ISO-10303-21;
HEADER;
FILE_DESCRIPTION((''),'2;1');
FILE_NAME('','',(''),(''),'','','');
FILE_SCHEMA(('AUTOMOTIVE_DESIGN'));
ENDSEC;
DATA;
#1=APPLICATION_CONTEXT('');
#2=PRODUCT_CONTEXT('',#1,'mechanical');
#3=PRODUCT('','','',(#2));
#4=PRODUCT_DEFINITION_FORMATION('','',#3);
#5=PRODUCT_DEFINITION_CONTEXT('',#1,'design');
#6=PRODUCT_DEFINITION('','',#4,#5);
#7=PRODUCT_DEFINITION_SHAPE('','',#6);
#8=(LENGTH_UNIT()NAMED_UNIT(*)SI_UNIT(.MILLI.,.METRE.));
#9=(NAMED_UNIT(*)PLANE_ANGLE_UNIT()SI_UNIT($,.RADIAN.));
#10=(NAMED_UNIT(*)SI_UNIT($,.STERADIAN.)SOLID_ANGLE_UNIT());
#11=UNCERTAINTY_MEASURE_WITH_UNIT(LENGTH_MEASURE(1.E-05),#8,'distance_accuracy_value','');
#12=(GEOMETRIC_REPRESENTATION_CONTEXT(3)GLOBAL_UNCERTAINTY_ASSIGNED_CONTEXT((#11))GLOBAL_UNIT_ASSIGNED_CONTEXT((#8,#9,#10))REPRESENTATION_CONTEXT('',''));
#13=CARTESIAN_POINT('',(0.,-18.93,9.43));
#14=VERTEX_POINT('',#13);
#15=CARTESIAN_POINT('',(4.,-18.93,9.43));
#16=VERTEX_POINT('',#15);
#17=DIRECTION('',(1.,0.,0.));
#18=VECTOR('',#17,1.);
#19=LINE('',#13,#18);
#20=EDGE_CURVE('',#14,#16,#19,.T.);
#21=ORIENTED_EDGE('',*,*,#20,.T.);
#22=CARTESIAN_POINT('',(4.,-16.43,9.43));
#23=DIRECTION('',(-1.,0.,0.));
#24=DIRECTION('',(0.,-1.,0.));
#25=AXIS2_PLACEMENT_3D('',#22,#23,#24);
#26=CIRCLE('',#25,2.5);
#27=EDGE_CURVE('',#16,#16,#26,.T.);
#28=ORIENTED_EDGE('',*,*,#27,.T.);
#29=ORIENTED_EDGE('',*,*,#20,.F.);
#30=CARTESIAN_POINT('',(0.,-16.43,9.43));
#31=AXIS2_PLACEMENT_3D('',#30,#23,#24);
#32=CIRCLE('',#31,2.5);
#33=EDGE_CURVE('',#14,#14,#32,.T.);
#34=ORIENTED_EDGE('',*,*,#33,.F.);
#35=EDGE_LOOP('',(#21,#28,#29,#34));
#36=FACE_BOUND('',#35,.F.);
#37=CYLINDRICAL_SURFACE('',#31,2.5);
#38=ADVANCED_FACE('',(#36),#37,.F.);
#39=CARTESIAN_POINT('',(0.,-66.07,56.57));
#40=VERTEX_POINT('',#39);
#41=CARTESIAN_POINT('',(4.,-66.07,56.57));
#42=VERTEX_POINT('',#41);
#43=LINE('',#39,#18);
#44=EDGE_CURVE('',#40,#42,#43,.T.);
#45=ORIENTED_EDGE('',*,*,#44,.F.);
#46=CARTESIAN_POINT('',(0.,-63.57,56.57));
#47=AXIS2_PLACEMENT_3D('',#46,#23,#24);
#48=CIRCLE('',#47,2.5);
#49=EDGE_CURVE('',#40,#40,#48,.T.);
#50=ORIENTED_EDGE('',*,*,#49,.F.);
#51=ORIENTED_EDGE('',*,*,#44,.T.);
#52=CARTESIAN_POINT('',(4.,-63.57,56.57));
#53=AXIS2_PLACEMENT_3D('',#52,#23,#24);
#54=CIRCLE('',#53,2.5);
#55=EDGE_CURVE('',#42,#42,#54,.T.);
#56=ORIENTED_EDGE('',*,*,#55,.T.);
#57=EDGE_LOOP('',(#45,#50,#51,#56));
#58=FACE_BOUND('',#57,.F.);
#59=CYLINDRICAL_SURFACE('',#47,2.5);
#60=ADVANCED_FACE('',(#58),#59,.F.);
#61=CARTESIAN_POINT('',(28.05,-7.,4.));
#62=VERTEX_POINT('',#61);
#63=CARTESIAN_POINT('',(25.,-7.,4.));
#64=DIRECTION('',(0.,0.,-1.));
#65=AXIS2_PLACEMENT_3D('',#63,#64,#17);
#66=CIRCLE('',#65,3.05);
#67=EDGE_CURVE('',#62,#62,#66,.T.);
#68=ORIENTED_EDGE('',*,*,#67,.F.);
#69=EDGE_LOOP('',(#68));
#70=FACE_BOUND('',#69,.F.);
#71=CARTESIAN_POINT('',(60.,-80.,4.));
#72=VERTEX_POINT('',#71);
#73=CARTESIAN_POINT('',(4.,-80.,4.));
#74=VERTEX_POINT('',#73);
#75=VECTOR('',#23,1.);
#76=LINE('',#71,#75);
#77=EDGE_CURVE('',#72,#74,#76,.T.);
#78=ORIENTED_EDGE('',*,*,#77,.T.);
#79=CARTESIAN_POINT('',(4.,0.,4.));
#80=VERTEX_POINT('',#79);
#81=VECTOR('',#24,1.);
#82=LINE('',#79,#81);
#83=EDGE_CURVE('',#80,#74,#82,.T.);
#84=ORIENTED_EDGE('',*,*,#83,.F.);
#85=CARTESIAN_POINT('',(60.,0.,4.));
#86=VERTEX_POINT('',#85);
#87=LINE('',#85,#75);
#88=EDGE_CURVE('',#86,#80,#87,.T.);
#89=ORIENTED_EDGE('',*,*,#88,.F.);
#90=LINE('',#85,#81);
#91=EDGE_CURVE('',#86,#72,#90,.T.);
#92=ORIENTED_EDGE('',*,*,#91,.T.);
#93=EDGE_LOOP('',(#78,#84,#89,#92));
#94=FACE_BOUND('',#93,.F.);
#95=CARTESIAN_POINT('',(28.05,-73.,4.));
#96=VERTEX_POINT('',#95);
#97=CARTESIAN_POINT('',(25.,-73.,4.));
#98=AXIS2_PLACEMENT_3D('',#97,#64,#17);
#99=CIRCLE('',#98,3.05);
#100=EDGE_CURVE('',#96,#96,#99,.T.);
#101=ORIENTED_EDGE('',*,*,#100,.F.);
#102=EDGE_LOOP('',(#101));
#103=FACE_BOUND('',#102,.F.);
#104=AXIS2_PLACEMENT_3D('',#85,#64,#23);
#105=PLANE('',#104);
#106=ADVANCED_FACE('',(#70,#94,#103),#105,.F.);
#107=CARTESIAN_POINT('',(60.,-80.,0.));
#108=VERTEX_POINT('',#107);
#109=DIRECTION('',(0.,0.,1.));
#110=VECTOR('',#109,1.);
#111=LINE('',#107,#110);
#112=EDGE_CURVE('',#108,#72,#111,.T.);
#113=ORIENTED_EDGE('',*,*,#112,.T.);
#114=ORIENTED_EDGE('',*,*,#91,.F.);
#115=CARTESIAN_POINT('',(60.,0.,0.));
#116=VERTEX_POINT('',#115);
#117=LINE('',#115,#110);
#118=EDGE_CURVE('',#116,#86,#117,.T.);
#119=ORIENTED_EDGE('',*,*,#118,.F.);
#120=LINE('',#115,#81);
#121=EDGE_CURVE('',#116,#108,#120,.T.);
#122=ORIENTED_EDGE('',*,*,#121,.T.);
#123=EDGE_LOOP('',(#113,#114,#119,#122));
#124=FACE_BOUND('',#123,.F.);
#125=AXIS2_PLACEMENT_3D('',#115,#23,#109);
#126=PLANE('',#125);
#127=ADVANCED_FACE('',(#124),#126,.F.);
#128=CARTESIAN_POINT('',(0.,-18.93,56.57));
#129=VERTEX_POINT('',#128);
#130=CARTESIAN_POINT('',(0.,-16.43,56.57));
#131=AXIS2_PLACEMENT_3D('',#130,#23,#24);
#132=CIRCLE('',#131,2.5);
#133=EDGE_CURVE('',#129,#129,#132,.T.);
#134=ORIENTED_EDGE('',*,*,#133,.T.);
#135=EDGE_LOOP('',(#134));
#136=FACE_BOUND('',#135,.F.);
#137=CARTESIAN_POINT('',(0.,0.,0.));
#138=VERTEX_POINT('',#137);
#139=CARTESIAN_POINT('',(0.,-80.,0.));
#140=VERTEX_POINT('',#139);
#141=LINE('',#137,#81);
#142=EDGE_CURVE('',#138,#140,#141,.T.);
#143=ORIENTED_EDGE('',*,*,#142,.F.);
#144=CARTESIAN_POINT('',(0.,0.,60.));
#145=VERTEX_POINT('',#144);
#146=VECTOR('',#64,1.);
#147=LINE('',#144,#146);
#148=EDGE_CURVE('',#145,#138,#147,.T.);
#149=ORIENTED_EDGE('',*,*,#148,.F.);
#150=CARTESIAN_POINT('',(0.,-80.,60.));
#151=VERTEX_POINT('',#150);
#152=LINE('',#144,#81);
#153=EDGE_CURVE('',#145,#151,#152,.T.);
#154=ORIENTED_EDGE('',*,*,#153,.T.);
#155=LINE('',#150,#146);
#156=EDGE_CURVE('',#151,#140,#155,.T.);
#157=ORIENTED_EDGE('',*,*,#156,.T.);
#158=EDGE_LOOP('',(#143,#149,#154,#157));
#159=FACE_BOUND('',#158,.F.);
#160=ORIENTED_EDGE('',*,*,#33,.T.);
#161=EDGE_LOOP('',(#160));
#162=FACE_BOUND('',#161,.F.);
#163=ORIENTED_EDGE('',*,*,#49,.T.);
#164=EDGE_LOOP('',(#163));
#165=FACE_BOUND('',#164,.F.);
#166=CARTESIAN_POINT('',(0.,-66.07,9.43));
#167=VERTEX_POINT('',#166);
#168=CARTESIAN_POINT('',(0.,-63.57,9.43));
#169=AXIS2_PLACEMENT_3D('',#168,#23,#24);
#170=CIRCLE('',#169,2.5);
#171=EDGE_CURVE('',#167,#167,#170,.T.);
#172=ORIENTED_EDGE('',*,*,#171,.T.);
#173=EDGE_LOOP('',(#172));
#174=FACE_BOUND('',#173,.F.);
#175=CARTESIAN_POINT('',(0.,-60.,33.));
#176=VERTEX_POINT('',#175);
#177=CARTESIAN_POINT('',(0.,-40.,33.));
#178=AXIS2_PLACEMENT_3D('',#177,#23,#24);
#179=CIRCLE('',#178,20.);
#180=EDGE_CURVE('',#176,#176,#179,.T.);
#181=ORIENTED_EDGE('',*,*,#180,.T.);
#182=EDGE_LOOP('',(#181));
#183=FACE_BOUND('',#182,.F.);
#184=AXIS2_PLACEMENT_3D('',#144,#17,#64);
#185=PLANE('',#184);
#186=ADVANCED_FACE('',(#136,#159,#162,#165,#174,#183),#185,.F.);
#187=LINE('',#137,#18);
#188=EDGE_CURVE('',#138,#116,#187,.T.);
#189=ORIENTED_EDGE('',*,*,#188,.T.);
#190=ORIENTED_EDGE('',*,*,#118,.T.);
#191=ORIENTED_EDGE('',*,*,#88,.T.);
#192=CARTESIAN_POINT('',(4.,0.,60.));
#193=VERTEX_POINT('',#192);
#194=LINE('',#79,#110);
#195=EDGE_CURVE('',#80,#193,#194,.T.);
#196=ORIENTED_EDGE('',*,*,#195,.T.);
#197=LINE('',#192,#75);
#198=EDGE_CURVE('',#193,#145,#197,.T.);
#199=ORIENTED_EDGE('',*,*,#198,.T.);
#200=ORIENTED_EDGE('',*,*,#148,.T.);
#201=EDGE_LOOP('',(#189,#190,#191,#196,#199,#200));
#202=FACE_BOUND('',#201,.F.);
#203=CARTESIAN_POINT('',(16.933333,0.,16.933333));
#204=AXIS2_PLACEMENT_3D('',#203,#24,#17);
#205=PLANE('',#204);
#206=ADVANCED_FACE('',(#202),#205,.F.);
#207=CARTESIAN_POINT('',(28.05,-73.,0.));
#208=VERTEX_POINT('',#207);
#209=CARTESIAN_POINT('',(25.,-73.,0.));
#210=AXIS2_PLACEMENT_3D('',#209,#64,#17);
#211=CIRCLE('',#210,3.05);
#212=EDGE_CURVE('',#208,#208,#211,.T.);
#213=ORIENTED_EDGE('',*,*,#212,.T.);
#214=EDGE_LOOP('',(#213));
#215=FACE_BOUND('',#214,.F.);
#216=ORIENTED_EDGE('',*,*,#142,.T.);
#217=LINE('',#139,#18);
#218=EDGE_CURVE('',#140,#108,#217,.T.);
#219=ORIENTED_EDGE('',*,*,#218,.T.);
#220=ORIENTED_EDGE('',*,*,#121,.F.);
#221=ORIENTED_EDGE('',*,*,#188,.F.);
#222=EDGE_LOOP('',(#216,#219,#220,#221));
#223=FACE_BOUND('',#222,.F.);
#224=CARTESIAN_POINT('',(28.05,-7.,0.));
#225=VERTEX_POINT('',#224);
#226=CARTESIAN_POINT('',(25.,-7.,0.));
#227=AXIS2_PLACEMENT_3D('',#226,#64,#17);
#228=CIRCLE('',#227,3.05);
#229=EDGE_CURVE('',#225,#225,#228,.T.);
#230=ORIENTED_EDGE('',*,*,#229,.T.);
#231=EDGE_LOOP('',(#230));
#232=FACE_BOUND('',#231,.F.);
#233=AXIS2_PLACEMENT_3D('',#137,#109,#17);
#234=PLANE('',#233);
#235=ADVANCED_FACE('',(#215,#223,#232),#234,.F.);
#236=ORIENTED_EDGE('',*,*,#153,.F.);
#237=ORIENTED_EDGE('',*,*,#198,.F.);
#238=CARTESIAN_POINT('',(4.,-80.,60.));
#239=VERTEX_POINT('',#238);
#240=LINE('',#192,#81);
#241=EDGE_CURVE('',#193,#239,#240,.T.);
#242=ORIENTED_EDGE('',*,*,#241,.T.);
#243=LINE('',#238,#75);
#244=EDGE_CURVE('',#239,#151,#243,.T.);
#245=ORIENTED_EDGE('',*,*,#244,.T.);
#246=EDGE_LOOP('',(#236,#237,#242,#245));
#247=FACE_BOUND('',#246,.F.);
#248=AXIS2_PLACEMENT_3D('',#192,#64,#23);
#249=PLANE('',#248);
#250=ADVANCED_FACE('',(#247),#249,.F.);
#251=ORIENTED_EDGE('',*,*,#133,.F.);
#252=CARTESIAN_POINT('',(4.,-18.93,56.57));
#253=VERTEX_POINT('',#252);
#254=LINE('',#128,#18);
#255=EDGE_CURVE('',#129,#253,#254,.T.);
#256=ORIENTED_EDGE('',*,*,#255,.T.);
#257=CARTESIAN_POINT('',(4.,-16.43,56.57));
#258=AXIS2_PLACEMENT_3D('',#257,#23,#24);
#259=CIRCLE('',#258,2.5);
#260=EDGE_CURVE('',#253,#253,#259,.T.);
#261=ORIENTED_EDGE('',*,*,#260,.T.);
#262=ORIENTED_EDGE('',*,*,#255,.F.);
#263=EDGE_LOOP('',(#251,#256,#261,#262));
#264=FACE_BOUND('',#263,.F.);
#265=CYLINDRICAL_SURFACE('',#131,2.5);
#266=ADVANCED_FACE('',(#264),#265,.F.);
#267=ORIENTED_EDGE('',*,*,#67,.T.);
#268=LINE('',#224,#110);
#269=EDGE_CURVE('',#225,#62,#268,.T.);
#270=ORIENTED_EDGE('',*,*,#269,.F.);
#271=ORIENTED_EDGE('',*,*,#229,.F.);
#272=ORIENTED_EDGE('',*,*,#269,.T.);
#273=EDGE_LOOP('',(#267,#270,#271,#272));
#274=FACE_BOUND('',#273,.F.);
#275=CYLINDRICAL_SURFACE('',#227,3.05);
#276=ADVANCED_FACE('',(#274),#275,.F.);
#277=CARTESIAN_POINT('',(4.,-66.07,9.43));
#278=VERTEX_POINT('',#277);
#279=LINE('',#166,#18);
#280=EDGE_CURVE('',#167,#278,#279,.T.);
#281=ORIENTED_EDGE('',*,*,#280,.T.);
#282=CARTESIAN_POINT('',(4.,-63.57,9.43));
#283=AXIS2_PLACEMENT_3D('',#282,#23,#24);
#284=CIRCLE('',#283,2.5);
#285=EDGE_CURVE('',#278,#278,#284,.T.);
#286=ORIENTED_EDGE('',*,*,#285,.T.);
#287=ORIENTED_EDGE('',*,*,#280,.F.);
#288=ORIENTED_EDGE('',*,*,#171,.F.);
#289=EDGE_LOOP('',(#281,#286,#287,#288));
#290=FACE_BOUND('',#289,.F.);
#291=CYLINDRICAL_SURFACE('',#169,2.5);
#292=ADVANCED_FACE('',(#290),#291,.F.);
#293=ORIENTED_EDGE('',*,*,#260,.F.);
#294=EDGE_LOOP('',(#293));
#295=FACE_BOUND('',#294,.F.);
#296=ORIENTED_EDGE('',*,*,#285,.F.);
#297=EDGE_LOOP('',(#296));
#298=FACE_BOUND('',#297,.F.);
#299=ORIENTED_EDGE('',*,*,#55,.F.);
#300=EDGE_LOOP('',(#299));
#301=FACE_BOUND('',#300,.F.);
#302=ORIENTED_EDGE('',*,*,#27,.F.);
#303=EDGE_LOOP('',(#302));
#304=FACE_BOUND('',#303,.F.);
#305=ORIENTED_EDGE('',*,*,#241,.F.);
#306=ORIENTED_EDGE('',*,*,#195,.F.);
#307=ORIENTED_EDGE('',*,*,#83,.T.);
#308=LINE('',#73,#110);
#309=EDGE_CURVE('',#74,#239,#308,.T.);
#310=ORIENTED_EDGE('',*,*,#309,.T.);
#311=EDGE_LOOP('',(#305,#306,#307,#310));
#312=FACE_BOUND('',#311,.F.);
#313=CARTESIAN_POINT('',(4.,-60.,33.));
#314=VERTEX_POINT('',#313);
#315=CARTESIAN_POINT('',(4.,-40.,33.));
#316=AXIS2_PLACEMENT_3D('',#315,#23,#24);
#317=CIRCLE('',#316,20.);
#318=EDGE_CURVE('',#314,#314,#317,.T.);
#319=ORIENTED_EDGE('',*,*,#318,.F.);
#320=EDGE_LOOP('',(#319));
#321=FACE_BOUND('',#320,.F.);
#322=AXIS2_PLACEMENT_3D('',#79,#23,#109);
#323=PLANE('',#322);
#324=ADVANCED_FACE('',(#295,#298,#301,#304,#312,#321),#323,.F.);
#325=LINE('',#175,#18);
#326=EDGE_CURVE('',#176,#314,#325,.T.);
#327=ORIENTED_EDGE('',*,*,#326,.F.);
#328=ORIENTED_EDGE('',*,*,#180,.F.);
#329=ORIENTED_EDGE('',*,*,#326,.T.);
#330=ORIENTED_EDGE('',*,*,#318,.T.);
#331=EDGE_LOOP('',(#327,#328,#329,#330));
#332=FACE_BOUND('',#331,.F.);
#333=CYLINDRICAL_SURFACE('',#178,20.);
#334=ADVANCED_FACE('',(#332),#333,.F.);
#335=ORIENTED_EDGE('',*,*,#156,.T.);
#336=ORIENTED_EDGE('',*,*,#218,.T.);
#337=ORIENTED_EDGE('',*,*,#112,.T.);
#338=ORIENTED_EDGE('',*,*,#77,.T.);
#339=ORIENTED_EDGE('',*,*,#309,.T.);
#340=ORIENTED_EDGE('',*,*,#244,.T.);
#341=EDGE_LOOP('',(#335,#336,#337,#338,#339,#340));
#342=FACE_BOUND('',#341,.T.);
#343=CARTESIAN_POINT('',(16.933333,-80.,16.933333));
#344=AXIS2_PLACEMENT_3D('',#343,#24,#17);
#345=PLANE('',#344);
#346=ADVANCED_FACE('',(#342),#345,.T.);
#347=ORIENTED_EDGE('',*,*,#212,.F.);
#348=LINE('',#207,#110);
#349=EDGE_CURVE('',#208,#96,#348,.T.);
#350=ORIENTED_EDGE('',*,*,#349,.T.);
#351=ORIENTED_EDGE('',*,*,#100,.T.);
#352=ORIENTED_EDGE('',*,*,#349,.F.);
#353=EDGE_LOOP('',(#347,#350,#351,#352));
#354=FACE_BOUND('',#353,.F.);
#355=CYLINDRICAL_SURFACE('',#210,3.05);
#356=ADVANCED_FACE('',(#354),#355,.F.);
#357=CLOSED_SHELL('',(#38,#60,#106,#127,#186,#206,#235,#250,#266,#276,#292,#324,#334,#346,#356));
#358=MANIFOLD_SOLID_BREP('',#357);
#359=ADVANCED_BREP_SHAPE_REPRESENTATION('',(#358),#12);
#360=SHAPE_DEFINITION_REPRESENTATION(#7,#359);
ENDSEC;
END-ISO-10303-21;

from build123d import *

# Parameters (mm, degrees)
F1_DEPTH = 80
F3_R     = 3.05
F4_DEPTH = 25
F2_R     = 2.5
F2_R_2   = 20
F5_DEPTH = 4


with BuildPart() as f1:
    # F0 (on Front) → F1 (new body)
    with BuildSketch(Plane.XZ):
        Polygon((0, 60), (0, 0), (60, 0), (60, 4), (4, 4), (4, 60), align=None)
    extrude(amount=F1_DEPTH)

    # F3 (on face) → F4 (cut)
    with BuildSketch(Plane(origin=(0, 0, 0), x_dir=(1, 0, 0), z_dir=(0, 0, -1))):
        with Locations((25, 73)):
            Circle(F3_R)
        with Locations((25, 7)):
            Circle(F3_R)
    extrude(amount=-F4_DEPTH, mode=Mode.SUBTRACT)

    # F2 (on face) → F5 (cut, through all)
    with BuildSketch(Plane(origin=(0, 0, 0), x_dir=(0, -1, 0), z_dir=(-1, 0, 0))):
        with Locations((16.43, 56.57)):
            Circle(F2_R)
        with Locations((40, 33)):
            Circle(F2_R_2)
        with Locations((63.57, 56.57)):
            Circle(F2_R)
        with Locations((16.43, 9.43)):
            Circle(F2_R)
        with Locations((63.57, 9.43)):
            Circle(F2_R)
    extrude(amount=-F5_DEPTH, mode=Mode.SUBTRACT)


solid = f1.part
